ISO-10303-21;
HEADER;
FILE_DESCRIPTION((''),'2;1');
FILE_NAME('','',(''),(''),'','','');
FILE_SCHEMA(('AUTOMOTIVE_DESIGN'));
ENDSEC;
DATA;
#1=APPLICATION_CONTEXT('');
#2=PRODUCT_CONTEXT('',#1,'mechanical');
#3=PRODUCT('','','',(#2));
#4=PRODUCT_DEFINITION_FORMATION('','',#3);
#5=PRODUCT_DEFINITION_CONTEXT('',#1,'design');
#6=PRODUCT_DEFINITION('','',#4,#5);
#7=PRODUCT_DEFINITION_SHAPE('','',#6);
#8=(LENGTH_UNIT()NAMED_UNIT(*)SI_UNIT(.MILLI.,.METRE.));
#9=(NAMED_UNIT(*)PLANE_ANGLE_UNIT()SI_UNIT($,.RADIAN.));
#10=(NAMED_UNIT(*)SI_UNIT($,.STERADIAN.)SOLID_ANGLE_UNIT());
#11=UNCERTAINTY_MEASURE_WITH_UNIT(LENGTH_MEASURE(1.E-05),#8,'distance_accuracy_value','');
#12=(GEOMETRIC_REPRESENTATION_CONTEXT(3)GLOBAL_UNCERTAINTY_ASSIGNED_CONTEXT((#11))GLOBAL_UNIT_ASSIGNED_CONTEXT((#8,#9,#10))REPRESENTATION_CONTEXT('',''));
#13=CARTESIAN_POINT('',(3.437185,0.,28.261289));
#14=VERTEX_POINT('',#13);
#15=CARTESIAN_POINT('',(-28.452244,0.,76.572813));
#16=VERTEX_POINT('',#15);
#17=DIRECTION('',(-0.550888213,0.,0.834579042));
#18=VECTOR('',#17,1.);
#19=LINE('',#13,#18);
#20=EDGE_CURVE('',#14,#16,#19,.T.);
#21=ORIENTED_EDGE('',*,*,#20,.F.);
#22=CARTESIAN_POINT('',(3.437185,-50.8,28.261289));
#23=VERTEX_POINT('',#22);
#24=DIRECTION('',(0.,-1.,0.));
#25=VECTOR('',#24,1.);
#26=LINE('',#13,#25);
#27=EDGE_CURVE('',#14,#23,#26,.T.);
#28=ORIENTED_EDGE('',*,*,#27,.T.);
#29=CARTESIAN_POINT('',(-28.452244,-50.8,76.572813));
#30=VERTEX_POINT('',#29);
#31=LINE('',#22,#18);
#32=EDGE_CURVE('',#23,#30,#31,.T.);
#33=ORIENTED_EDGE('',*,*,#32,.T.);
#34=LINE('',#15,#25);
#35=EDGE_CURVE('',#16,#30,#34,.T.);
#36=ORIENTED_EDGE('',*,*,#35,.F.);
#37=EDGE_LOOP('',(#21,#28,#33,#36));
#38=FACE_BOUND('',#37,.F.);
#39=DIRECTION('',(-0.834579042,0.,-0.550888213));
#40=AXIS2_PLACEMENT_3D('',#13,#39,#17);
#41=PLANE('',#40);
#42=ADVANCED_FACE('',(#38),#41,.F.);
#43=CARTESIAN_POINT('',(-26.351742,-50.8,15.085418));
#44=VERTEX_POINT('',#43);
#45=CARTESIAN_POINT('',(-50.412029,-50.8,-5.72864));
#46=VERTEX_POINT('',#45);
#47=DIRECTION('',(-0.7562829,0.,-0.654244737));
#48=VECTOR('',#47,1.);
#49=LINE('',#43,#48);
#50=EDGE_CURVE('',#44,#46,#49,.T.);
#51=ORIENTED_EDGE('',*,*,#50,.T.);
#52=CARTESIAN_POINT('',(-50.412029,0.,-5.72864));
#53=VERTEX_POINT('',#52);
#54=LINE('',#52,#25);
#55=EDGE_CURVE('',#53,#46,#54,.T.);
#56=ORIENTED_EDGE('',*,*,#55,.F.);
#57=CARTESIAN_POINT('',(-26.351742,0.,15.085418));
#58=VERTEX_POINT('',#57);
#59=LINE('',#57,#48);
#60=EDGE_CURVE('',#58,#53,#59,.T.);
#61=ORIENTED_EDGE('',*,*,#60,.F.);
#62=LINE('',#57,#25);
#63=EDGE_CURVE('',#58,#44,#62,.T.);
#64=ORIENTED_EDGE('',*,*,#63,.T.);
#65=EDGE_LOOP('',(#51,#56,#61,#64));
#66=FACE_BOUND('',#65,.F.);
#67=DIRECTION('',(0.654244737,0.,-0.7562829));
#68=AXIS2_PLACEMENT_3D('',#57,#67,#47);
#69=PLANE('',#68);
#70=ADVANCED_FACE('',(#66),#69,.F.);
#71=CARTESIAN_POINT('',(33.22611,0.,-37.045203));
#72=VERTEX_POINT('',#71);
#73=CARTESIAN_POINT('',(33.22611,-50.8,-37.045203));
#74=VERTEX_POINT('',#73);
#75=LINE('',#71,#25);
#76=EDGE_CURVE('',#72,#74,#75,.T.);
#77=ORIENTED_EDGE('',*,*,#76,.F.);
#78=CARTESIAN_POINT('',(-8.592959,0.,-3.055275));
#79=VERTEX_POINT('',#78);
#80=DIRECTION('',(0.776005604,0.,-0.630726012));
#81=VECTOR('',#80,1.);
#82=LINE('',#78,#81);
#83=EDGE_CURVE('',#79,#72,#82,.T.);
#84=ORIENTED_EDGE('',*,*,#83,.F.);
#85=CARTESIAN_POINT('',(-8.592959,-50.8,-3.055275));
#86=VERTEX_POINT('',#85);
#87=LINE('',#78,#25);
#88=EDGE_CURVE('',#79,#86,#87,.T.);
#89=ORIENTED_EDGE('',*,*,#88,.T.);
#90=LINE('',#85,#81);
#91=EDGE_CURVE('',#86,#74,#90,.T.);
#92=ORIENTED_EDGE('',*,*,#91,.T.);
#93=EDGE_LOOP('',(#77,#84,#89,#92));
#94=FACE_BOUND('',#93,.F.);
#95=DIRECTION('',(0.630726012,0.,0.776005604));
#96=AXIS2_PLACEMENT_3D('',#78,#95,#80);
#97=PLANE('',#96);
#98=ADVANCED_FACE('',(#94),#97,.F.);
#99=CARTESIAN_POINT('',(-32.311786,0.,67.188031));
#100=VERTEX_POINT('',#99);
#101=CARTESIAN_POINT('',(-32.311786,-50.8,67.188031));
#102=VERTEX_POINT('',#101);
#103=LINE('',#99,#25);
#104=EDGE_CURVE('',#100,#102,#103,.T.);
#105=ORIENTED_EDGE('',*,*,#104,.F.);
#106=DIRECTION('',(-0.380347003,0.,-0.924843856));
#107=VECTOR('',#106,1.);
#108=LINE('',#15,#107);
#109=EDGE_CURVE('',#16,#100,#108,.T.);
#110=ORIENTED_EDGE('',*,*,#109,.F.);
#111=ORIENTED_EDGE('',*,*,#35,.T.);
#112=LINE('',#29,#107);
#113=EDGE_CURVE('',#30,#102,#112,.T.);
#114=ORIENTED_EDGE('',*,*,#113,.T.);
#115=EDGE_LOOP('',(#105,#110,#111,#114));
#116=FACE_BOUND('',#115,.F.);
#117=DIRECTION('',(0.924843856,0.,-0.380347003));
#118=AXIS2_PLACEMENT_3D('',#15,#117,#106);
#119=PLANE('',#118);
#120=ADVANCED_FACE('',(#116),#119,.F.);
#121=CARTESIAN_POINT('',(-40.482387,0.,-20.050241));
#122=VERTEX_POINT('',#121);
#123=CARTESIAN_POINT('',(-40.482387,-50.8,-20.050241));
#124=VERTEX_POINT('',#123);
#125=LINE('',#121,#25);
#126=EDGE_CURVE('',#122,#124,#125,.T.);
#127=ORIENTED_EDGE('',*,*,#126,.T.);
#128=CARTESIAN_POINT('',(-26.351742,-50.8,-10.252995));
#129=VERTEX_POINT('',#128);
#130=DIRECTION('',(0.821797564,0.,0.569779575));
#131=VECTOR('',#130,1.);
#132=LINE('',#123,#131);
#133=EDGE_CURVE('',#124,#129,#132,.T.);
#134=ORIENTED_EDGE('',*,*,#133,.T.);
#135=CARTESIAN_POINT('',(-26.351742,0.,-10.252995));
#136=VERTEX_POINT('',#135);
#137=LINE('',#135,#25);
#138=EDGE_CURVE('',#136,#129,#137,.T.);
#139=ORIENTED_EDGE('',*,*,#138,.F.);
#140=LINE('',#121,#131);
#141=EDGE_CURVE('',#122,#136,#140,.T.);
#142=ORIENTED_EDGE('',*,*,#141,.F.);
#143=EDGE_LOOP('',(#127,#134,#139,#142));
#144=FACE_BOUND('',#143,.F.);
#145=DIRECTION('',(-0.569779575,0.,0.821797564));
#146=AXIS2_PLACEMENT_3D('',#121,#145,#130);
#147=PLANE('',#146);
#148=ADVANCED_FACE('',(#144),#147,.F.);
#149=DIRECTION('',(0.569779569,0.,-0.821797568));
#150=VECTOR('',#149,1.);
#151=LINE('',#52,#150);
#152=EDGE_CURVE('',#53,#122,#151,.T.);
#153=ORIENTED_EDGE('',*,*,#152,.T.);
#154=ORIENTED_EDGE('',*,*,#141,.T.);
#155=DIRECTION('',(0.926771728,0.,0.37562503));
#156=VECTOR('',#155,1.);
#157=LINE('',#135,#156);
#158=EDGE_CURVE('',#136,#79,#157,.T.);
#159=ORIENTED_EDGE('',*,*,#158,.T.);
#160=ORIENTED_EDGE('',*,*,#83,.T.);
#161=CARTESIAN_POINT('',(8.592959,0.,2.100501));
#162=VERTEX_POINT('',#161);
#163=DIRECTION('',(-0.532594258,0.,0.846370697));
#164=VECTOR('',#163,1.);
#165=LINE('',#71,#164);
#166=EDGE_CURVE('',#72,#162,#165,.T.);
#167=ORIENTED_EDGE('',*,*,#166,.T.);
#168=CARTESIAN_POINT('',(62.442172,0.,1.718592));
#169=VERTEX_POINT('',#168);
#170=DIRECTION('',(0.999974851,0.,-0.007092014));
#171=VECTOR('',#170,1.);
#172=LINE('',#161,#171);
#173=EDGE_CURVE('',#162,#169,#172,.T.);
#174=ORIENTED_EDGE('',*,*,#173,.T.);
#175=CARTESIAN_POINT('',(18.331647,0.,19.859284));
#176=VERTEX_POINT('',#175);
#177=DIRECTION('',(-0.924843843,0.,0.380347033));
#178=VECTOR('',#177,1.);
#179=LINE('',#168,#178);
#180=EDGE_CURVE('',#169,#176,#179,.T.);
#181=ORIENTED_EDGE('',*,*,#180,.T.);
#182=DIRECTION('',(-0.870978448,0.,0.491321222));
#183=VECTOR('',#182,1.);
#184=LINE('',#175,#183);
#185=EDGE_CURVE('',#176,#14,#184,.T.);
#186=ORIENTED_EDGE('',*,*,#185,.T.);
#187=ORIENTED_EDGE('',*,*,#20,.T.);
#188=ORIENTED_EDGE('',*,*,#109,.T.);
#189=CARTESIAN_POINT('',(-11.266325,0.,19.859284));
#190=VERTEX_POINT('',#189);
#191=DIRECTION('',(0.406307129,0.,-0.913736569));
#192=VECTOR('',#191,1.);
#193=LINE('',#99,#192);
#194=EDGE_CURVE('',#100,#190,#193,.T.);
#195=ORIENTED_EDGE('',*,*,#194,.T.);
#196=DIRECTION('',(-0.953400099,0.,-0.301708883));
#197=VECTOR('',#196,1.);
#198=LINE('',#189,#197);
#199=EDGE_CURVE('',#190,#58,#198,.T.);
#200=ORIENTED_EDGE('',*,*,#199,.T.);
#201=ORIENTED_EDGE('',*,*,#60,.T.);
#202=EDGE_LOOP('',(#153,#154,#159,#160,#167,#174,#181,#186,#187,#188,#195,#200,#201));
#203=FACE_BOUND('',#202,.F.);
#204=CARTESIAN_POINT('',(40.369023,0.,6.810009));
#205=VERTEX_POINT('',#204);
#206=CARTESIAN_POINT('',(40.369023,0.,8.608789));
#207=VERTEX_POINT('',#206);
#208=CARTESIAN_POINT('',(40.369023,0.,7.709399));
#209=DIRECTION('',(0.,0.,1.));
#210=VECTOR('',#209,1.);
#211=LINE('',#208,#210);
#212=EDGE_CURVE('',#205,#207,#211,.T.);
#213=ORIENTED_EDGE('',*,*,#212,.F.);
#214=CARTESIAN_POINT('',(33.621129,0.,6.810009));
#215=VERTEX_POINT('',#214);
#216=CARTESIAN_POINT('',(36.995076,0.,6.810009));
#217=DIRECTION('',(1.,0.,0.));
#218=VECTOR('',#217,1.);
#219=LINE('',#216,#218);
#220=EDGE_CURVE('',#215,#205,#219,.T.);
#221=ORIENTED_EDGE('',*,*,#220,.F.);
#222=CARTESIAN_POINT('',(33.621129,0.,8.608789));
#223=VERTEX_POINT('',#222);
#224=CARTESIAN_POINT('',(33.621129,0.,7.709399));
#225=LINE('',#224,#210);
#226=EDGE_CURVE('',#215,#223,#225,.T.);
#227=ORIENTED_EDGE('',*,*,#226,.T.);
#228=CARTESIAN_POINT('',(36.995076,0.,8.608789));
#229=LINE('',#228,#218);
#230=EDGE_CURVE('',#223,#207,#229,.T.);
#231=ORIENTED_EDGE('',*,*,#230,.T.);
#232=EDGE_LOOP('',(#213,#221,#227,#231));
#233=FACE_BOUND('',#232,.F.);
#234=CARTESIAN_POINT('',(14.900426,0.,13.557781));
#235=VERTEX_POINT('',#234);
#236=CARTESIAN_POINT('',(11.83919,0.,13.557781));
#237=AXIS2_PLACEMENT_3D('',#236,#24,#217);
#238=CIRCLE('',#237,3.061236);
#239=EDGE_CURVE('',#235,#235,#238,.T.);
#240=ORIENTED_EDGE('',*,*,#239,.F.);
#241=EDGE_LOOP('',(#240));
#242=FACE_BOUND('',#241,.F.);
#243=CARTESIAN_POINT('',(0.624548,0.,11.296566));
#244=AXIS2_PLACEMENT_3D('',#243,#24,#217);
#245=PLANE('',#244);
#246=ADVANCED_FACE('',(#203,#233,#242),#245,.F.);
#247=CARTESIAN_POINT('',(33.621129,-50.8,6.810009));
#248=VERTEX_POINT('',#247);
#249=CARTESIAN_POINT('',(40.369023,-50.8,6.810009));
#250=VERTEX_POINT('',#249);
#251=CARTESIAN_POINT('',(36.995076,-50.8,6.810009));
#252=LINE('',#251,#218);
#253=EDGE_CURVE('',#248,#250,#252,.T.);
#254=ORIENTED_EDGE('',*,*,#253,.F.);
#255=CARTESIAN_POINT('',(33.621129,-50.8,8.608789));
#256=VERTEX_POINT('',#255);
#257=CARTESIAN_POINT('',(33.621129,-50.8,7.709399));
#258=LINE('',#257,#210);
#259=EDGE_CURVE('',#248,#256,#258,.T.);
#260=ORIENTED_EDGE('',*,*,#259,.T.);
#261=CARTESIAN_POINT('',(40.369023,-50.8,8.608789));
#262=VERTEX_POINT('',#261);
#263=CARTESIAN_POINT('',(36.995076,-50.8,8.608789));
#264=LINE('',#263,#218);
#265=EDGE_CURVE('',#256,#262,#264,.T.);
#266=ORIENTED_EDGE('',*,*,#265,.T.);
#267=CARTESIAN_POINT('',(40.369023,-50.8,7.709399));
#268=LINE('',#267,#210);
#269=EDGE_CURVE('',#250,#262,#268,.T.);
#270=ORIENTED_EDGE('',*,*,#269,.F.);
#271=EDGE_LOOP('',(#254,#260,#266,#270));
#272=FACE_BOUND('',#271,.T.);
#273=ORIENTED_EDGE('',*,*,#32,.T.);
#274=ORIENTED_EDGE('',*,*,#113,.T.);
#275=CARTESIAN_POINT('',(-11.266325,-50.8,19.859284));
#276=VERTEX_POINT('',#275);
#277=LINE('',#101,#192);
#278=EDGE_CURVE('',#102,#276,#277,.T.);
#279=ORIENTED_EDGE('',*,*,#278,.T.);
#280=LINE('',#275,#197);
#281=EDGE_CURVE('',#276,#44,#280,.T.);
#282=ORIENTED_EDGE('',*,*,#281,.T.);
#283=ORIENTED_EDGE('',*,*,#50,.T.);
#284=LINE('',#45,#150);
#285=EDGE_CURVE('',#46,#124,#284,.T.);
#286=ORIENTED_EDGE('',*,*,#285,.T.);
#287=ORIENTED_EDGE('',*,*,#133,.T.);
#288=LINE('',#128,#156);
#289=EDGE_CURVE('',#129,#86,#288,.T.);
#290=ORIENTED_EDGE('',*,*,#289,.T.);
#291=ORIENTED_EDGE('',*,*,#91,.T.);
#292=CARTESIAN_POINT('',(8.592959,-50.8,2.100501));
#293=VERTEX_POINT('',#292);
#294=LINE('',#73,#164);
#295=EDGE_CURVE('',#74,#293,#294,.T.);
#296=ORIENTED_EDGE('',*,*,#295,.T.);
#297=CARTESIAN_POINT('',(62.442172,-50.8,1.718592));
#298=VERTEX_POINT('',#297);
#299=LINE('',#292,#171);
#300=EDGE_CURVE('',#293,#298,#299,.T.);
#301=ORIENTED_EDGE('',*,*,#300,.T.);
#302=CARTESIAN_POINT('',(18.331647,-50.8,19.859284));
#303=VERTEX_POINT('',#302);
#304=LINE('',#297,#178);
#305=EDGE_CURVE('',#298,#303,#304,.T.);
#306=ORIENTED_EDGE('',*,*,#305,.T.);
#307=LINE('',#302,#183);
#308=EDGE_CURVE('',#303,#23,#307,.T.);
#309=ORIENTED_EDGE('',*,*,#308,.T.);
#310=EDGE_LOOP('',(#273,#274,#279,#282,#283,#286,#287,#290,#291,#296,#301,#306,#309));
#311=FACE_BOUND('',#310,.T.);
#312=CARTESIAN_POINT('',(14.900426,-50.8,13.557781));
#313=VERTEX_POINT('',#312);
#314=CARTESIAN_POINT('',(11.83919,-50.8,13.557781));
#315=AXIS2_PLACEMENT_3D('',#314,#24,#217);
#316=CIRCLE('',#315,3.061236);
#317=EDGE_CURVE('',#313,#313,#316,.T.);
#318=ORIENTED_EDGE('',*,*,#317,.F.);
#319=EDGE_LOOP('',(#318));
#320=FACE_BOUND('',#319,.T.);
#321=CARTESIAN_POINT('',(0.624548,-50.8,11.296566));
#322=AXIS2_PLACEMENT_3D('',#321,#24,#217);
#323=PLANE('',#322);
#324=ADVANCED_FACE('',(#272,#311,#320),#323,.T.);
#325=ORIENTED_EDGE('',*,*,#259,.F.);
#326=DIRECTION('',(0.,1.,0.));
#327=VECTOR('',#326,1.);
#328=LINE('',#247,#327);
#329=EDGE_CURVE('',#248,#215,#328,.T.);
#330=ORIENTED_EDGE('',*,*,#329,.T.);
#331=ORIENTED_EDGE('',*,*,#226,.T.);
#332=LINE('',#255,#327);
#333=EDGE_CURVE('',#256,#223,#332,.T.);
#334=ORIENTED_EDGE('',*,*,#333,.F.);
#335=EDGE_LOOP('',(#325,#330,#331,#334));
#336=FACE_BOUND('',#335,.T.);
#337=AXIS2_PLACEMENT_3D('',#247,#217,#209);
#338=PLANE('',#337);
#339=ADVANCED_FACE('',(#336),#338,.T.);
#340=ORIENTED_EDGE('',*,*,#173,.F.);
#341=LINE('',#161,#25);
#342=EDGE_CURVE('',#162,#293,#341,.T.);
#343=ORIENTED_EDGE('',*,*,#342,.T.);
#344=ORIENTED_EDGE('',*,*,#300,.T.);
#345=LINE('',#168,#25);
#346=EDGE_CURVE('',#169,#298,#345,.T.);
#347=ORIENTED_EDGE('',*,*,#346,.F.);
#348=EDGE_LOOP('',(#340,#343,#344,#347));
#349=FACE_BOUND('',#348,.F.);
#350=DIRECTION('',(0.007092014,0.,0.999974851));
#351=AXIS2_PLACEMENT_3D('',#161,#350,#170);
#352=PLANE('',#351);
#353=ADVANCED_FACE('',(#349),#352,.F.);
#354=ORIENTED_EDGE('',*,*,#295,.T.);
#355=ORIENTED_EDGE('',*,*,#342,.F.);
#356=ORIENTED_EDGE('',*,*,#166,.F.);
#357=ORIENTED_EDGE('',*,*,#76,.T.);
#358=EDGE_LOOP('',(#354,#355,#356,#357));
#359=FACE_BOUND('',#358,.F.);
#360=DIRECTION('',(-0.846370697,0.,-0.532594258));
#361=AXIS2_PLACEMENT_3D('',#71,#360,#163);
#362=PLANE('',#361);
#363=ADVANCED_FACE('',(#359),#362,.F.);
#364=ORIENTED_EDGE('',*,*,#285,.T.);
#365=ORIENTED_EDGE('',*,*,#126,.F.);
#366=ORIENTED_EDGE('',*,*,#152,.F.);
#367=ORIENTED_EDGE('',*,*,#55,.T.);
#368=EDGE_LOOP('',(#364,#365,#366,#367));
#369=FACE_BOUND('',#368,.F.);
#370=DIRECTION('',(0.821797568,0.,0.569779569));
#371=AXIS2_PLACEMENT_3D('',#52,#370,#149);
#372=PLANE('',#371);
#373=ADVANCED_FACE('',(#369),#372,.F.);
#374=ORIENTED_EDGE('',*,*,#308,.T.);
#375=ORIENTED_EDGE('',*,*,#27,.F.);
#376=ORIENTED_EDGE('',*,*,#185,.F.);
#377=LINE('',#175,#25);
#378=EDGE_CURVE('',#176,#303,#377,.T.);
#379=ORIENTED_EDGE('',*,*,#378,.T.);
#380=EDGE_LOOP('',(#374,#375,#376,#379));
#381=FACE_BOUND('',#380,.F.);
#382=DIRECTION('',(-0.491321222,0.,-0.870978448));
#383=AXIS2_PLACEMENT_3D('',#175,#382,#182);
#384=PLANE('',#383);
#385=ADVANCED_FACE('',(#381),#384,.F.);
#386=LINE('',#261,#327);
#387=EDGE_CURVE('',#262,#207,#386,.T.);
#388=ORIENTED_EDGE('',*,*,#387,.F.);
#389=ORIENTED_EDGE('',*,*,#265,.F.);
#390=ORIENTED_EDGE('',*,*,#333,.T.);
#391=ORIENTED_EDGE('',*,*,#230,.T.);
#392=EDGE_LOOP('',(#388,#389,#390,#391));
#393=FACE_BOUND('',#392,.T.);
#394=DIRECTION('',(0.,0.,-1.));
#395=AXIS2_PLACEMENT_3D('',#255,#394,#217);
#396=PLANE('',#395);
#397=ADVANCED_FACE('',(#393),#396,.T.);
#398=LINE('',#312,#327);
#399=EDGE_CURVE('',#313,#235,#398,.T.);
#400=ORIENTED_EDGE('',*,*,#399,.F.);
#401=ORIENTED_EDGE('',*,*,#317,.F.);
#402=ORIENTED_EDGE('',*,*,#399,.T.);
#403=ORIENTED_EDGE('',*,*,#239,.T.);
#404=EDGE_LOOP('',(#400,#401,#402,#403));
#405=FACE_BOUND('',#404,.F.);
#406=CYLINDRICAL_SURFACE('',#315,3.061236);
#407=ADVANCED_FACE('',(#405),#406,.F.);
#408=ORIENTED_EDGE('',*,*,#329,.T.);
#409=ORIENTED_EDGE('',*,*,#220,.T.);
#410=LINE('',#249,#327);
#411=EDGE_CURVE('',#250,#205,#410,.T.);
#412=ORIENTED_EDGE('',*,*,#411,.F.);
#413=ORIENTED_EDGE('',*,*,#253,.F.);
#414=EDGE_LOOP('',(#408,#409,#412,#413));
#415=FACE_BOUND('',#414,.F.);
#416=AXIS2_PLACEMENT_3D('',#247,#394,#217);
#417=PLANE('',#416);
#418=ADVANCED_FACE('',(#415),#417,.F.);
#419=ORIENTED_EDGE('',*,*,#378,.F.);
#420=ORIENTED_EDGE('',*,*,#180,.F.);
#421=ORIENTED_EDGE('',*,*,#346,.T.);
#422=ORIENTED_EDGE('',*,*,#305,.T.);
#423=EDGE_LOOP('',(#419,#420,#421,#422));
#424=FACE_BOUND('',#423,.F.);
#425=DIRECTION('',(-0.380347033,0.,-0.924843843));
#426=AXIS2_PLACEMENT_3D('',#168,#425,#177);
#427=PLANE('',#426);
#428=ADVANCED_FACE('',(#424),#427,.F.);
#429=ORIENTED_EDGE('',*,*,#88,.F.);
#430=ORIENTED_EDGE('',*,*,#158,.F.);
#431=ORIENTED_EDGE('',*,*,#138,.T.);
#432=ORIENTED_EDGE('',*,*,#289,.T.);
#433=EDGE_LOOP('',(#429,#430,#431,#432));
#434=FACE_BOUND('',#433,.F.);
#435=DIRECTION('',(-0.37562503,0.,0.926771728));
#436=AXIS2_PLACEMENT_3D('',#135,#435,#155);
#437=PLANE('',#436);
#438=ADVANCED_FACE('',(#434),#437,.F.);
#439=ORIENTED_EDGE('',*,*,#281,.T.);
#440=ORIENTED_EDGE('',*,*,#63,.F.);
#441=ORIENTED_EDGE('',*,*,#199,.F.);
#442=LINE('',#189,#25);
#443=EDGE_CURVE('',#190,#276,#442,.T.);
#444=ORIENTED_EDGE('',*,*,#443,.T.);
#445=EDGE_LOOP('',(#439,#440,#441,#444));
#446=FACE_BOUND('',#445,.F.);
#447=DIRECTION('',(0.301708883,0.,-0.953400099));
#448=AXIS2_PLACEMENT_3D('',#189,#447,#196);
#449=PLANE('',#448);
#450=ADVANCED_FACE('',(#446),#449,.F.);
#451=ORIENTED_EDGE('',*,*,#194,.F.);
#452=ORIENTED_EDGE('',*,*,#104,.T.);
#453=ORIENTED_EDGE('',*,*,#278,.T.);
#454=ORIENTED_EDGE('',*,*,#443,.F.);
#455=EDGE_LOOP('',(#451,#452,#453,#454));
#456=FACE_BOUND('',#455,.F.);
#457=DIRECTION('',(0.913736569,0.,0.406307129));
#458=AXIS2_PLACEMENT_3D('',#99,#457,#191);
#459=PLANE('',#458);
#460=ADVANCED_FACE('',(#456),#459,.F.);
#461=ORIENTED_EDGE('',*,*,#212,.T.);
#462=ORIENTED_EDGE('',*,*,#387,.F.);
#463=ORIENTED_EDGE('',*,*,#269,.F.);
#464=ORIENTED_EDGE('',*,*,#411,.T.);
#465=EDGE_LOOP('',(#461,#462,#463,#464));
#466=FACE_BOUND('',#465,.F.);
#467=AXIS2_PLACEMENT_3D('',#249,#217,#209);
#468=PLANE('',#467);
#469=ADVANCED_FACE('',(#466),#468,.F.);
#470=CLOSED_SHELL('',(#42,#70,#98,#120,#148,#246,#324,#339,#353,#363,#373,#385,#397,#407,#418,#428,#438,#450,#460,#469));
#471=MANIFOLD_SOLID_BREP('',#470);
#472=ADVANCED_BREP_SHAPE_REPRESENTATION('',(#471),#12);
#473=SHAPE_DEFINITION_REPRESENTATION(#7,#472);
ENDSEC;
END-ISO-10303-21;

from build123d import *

# Parameters (mm, degrees)
F1_DEPTH = 50.8
F2_R     = 3.061236
F3_DEPTH = 50.8
F4_W     = 6.747894
F4_H     = 1.79878
F5_DEPTH = 50.8


with BuildPart() as f1:
    # F0 (on Front) → F1 (new body)
    with BuildSketch(Plane.XZ):
        Polygon((8.592959, 2.100501), (62.442172, 1.718592), (18.331647, 19.859284), (3.437185, 28.261289), (-28.452244, 76.572813), (-32.311786, 67.188031), (-11.266325, 19.859284), (-26.351742, 15.085418), (-50.412029, -5.72864), (-40.482387, -20.050241), (-26.351742, -10.252995), (-8.592959, -3.055275), (33.22611, -37.045203), align=None)
    extrude(amount=F1_DEPTH)

    # F2 (on face) → F3 (cut)
    with BuildSketch(Plane.XZ.offset(50.8)):
        with Locations((11.83919, 13.557781)):
            Circle(F2_R)
    extrude(amount=-F3_DEPTH, mode=Mode.SUBTRACT)

    # F4 (on face) → F5 (cut)
    with BuildSketch(Plane.XZ.offset(50.8)):
        with Locations((36.995076, 7.709399)):
            Rectangle(F4_W, F4_H)
    extrude(amount=-F5_DEPTH, mode=Mode.SUBTRACT)


solid = f1.part
